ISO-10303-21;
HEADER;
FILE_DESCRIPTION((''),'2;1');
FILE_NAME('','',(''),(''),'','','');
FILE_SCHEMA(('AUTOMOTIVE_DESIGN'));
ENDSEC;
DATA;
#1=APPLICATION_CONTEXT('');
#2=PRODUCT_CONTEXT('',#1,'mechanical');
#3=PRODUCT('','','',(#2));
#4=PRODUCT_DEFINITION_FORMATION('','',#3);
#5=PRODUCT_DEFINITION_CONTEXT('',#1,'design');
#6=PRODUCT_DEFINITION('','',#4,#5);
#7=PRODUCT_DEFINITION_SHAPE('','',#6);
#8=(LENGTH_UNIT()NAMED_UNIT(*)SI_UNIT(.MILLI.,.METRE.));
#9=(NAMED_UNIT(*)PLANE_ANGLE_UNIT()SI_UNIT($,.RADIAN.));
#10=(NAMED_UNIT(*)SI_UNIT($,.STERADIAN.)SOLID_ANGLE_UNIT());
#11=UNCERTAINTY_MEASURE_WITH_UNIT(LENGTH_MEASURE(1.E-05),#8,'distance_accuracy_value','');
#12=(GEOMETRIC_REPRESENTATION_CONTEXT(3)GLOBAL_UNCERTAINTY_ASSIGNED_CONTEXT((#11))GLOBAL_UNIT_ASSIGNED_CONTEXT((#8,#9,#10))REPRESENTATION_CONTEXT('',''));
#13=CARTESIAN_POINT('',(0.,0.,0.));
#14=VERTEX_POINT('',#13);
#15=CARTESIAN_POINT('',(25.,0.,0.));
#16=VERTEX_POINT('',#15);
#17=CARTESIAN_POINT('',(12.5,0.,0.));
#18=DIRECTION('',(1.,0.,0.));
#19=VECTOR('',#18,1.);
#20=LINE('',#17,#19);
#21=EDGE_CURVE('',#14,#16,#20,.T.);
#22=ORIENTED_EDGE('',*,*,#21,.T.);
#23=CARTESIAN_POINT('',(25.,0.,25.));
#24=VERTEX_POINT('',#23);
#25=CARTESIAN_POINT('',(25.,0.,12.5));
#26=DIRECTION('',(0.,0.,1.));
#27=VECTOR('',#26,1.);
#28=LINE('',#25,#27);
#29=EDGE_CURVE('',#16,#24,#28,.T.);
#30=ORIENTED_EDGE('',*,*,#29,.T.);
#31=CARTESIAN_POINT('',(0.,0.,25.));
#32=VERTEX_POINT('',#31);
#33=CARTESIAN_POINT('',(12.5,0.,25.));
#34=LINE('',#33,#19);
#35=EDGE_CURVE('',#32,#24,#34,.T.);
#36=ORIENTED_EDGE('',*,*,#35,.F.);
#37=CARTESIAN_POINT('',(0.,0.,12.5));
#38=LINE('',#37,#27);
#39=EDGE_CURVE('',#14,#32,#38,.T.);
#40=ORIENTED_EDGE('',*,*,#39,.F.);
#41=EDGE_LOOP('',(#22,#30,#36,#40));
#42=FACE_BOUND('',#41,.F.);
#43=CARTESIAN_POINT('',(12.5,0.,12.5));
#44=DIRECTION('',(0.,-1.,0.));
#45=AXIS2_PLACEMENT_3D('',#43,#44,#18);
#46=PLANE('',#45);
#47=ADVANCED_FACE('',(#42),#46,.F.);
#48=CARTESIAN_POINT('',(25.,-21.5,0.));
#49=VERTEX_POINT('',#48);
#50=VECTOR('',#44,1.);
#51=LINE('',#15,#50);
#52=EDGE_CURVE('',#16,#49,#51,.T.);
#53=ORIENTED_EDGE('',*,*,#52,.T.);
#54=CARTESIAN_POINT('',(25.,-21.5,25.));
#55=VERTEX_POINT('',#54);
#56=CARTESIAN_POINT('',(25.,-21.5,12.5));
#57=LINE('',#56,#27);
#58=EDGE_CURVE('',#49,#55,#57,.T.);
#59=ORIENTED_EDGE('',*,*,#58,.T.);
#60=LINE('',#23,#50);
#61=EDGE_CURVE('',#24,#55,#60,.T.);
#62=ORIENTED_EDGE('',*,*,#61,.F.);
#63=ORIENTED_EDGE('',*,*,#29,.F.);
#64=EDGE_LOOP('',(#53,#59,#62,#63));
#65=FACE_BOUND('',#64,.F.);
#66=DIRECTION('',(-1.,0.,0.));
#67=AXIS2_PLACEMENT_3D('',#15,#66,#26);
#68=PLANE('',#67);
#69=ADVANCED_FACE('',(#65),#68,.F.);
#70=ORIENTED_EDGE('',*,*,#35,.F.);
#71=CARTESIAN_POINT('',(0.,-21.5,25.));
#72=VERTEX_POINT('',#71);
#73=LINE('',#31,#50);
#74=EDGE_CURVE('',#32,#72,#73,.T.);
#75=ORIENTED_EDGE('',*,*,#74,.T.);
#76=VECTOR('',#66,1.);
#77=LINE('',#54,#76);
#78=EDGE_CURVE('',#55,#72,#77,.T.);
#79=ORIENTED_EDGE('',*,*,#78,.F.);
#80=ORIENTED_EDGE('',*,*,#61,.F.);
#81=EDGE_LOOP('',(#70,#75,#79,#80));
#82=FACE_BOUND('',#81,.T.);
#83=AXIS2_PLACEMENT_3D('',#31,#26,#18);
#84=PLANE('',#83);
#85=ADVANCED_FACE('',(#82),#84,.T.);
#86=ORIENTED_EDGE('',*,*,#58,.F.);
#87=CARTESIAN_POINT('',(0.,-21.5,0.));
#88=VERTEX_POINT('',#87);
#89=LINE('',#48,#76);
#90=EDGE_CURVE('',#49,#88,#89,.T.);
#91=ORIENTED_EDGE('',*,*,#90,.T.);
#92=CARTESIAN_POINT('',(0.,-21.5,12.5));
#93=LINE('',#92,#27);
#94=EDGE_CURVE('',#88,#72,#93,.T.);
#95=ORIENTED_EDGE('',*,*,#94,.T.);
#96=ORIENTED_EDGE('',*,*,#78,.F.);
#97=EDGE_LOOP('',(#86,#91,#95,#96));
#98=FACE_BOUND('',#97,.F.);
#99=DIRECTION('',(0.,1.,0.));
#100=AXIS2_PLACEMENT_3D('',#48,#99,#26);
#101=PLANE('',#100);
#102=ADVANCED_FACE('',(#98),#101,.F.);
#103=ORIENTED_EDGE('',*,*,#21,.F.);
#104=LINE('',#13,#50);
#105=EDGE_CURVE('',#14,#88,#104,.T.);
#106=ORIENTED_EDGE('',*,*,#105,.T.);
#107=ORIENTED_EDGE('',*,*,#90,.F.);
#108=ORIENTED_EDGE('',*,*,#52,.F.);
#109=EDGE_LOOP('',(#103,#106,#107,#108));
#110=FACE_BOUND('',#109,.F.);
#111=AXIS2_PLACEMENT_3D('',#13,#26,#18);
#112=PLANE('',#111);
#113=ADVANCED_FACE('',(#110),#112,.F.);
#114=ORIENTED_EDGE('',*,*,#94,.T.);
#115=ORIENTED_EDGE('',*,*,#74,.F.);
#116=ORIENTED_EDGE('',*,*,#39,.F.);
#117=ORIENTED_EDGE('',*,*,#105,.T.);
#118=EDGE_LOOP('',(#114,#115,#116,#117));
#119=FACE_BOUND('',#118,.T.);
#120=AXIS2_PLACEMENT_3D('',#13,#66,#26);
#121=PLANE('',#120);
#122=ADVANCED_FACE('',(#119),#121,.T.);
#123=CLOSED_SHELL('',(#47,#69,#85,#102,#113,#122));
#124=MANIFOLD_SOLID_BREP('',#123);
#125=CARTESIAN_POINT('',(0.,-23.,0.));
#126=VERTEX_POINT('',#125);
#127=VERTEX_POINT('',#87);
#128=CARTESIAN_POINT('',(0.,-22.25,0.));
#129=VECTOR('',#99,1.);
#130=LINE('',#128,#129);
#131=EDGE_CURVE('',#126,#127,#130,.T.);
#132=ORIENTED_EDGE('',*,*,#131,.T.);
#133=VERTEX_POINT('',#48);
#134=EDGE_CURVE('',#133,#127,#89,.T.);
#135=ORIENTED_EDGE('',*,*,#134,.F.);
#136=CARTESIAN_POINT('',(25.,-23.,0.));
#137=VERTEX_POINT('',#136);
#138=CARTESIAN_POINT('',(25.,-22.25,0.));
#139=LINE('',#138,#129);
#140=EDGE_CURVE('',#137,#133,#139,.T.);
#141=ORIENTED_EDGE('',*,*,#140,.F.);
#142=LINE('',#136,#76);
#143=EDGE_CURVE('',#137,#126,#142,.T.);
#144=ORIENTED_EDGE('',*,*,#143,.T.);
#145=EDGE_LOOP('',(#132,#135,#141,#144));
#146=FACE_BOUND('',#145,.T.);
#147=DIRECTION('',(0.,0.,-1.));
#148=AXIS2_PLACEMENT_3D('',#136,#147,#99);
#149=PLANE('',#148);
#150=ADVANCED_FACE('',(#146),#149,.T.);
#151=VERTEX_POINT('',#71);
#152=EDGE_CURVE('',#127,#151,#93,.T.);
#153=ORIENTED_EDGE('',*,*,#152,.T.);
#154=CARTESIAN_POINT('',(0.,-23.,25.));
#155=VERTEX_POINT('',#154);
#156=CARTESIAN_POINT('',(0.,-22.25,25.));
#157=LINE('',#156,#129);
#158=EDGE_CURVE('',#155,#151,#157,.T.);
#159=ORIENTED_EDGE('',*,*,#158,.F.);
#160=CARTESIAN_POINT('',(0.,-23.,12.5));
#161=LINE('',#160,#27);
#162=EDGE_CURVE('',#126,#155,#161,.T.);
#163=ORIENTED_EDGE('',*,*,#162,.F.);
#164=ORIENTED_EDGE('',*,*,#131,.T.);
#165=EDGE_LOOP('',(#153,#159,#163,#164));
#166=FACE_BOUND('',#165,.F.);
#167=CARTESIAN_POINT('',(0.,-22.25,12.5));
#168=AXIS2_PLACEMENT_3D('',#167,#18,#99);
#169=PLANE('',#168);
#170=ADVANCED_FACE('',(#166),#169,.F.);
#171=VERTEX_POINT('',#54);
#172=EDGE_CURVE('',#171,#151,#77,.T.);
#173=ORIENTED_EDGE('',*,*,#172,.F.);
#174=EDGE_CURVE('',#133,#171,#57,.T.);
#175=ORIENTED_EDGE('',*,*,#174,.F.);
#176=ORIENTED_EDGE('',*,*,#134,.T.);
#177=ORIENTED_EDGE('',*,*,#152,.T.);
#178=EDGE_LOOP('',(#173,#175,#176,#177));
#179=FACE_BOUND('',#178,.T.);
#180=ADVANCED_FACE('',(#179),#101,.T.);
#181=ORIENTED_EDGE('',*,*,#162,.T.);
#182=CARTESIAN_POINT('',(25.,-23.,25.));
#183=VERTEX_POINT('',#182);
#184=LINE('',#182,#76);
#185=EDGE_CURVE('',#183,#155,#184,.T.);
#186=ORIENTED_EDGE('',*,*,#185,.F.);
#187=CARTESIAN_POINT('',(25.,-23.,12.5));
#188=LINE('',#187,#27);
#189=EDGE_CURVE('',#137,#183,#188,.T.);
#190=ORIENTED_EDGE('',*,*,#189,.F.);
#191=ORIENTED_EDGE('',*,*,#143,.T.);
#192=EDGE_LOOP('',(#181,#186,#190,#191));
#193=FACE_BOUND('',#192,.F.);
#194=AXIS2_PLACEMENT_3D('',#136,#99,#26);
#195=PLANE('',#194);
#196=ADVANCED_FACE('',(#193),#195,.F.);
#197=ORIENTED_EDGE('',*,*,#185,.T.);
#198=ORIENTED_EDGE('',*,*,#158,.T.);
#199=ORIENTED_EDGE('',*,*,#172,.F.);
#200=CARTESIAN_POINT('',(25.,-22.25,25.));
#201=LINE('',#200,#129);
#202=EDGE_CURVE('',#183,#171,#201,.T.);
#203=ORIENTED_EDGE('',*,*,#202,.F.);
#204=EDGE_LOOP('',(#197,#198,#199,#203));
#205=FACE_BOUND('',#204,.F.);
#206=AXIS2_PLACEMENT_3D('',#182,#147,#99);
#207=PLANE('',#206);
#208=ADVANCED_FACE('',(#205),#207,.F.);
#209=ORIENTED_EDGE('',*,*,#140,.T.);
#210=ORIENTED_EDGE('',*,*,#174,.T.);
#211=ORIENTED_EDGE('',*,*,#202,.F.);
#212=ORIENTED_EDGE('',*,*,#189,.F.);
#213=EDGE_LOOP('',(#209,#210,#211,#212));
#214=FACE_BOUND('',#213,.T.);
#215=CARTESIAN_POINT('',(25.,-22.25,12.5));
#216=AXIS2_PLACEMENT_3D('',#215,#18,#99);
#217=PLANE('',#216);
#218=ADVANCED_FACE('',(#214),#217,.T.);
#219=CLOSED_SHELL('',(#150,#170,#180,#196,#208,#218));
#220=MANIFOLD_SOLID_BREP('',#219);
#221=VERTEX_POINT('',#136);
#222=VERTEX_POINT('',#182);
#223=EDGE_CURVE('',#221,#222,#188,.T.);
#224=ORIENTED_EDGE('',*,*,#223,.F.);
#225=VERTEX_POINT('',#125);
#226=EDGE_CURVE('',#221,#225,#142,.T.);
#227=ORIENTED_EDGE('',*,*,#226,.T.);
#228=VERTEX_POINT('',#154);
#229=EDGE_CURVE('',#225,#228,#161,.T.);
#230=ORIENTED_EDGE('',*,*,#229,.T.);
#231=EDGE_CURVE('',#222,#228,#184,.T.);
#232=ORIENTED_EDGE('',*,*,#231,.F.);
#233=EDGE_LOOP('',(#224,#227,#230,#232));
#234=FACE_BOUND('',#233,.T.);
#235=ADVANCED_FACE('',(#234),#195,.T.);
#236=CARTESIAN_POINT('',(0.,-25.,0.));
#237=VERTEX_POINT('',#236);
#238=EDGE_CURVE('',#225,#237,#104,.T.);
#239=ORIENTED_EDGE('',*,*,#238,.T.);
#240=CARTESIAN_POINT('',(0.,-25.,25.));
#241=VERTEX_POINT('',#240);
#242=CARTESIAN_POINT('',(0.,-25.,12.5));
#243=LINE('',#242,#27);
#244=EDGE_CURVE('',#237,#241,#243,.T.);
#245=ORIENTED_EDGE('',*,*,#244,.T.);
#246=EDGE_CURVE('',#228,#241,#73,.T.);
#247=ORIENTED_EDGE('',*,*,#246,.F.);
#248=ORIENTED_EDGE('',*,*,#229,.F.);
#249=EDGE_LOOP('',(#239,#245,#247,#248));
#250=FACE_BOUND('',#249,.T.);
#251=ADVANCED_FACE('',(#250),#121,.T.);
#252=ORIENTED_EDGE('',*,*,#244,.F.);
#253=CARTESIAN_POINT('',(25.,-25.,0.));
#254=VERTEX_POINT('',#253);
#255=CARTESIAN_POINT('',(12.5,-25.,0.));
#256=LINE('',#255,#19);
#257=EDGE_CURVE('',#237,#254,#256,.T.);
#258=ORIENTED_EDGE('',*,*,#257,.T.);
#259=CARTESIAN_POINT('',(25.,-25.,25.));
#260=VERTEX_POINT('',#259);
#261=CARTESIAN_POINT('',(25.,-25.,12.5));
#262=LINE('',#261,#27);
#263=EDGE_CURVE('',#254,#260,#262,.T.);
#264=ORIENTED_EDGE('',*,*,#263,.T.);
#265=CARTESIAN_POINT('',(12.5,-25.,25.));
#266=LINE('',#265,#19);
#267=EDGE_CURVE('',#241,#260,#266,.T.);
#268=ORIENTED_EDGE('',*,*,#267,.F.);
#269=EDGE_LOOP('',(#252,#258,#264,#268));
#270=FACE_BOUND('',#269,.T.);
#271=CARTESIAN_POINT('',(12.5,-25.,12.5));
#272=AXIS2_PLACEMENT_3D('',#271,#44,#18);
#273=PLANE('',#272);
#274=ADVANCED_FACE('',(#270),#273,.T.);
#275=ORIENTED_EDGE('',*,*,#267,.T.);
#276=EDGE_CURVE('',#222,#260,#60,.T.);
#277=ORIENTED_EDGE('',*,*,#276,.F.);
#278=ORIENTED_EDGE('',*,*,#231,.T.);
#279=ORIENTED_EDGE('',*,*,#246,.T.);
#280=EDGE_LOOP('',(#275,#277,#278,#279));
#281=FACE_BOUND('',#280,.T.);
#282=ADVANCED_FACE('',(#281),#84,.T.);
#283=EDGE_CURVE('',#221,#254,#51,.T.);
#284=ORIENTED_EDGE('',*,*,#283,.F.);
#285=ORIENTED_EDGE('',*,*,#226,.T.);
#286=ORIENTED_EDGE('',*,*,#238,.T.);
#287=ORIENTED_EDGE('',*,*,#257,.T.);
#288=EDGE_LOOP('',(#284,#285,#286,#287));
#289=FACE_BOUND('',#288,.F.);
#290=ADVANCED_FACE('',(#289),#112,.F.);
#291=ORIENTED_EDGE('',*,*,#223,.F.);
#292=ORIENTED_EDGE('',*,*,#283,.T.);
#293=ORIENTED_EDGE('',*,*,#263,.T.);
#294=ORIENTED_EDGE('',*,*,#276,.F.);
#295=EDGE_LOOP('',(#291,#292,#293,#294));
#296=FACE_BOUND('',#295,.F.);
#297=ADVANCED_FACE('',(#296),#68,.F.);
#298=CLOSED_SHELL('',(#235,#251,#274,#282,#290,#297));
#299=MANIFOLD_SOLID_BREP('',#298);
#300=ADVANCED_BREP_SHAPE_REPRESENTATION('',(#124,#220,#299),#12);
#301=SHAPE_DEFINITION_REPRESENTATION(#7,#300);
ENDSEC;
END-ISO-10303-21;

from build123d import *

# Parameters (mm, degrees)
F0_W     = 25
F0_H     = 25
F1_DEPTH = 25
F2_W     = 1.5
F2_H     = 25
F3_DEPTH = 25
F4_DEPTH = 25


with BuildPart() as f1:
    # F0 (on Front) → F1 (new body)
    with BuildSketch(Plane.XZ):
        with Locations((12.5, 12.5)):
            Rectangle(F0_W, F0_H)
    extrude(amount=F1_DEPTH)

    # F2 (on face) → F3 (cut)
    with BuildSketch(Plane.YZ.offset(25)):
        with Locations((-22.25, 12.5)):
            Rectangle(F2_W, F2_H)
    extrude(amount=-F3_DEPTH, mode=Mode.SUBTRACT)


with BuildPart() as f4:
    # F2 (on face) → F4 (new body)
    with BuildSketch(Plane.YZ.offset(25)):
        with Locations((-22.25, 12.5)):
            Rectangle(F2_W, F2_H)
    extrude(amount=-F4_DEPTH)


solid = Compound([f1.part, f4.part])
